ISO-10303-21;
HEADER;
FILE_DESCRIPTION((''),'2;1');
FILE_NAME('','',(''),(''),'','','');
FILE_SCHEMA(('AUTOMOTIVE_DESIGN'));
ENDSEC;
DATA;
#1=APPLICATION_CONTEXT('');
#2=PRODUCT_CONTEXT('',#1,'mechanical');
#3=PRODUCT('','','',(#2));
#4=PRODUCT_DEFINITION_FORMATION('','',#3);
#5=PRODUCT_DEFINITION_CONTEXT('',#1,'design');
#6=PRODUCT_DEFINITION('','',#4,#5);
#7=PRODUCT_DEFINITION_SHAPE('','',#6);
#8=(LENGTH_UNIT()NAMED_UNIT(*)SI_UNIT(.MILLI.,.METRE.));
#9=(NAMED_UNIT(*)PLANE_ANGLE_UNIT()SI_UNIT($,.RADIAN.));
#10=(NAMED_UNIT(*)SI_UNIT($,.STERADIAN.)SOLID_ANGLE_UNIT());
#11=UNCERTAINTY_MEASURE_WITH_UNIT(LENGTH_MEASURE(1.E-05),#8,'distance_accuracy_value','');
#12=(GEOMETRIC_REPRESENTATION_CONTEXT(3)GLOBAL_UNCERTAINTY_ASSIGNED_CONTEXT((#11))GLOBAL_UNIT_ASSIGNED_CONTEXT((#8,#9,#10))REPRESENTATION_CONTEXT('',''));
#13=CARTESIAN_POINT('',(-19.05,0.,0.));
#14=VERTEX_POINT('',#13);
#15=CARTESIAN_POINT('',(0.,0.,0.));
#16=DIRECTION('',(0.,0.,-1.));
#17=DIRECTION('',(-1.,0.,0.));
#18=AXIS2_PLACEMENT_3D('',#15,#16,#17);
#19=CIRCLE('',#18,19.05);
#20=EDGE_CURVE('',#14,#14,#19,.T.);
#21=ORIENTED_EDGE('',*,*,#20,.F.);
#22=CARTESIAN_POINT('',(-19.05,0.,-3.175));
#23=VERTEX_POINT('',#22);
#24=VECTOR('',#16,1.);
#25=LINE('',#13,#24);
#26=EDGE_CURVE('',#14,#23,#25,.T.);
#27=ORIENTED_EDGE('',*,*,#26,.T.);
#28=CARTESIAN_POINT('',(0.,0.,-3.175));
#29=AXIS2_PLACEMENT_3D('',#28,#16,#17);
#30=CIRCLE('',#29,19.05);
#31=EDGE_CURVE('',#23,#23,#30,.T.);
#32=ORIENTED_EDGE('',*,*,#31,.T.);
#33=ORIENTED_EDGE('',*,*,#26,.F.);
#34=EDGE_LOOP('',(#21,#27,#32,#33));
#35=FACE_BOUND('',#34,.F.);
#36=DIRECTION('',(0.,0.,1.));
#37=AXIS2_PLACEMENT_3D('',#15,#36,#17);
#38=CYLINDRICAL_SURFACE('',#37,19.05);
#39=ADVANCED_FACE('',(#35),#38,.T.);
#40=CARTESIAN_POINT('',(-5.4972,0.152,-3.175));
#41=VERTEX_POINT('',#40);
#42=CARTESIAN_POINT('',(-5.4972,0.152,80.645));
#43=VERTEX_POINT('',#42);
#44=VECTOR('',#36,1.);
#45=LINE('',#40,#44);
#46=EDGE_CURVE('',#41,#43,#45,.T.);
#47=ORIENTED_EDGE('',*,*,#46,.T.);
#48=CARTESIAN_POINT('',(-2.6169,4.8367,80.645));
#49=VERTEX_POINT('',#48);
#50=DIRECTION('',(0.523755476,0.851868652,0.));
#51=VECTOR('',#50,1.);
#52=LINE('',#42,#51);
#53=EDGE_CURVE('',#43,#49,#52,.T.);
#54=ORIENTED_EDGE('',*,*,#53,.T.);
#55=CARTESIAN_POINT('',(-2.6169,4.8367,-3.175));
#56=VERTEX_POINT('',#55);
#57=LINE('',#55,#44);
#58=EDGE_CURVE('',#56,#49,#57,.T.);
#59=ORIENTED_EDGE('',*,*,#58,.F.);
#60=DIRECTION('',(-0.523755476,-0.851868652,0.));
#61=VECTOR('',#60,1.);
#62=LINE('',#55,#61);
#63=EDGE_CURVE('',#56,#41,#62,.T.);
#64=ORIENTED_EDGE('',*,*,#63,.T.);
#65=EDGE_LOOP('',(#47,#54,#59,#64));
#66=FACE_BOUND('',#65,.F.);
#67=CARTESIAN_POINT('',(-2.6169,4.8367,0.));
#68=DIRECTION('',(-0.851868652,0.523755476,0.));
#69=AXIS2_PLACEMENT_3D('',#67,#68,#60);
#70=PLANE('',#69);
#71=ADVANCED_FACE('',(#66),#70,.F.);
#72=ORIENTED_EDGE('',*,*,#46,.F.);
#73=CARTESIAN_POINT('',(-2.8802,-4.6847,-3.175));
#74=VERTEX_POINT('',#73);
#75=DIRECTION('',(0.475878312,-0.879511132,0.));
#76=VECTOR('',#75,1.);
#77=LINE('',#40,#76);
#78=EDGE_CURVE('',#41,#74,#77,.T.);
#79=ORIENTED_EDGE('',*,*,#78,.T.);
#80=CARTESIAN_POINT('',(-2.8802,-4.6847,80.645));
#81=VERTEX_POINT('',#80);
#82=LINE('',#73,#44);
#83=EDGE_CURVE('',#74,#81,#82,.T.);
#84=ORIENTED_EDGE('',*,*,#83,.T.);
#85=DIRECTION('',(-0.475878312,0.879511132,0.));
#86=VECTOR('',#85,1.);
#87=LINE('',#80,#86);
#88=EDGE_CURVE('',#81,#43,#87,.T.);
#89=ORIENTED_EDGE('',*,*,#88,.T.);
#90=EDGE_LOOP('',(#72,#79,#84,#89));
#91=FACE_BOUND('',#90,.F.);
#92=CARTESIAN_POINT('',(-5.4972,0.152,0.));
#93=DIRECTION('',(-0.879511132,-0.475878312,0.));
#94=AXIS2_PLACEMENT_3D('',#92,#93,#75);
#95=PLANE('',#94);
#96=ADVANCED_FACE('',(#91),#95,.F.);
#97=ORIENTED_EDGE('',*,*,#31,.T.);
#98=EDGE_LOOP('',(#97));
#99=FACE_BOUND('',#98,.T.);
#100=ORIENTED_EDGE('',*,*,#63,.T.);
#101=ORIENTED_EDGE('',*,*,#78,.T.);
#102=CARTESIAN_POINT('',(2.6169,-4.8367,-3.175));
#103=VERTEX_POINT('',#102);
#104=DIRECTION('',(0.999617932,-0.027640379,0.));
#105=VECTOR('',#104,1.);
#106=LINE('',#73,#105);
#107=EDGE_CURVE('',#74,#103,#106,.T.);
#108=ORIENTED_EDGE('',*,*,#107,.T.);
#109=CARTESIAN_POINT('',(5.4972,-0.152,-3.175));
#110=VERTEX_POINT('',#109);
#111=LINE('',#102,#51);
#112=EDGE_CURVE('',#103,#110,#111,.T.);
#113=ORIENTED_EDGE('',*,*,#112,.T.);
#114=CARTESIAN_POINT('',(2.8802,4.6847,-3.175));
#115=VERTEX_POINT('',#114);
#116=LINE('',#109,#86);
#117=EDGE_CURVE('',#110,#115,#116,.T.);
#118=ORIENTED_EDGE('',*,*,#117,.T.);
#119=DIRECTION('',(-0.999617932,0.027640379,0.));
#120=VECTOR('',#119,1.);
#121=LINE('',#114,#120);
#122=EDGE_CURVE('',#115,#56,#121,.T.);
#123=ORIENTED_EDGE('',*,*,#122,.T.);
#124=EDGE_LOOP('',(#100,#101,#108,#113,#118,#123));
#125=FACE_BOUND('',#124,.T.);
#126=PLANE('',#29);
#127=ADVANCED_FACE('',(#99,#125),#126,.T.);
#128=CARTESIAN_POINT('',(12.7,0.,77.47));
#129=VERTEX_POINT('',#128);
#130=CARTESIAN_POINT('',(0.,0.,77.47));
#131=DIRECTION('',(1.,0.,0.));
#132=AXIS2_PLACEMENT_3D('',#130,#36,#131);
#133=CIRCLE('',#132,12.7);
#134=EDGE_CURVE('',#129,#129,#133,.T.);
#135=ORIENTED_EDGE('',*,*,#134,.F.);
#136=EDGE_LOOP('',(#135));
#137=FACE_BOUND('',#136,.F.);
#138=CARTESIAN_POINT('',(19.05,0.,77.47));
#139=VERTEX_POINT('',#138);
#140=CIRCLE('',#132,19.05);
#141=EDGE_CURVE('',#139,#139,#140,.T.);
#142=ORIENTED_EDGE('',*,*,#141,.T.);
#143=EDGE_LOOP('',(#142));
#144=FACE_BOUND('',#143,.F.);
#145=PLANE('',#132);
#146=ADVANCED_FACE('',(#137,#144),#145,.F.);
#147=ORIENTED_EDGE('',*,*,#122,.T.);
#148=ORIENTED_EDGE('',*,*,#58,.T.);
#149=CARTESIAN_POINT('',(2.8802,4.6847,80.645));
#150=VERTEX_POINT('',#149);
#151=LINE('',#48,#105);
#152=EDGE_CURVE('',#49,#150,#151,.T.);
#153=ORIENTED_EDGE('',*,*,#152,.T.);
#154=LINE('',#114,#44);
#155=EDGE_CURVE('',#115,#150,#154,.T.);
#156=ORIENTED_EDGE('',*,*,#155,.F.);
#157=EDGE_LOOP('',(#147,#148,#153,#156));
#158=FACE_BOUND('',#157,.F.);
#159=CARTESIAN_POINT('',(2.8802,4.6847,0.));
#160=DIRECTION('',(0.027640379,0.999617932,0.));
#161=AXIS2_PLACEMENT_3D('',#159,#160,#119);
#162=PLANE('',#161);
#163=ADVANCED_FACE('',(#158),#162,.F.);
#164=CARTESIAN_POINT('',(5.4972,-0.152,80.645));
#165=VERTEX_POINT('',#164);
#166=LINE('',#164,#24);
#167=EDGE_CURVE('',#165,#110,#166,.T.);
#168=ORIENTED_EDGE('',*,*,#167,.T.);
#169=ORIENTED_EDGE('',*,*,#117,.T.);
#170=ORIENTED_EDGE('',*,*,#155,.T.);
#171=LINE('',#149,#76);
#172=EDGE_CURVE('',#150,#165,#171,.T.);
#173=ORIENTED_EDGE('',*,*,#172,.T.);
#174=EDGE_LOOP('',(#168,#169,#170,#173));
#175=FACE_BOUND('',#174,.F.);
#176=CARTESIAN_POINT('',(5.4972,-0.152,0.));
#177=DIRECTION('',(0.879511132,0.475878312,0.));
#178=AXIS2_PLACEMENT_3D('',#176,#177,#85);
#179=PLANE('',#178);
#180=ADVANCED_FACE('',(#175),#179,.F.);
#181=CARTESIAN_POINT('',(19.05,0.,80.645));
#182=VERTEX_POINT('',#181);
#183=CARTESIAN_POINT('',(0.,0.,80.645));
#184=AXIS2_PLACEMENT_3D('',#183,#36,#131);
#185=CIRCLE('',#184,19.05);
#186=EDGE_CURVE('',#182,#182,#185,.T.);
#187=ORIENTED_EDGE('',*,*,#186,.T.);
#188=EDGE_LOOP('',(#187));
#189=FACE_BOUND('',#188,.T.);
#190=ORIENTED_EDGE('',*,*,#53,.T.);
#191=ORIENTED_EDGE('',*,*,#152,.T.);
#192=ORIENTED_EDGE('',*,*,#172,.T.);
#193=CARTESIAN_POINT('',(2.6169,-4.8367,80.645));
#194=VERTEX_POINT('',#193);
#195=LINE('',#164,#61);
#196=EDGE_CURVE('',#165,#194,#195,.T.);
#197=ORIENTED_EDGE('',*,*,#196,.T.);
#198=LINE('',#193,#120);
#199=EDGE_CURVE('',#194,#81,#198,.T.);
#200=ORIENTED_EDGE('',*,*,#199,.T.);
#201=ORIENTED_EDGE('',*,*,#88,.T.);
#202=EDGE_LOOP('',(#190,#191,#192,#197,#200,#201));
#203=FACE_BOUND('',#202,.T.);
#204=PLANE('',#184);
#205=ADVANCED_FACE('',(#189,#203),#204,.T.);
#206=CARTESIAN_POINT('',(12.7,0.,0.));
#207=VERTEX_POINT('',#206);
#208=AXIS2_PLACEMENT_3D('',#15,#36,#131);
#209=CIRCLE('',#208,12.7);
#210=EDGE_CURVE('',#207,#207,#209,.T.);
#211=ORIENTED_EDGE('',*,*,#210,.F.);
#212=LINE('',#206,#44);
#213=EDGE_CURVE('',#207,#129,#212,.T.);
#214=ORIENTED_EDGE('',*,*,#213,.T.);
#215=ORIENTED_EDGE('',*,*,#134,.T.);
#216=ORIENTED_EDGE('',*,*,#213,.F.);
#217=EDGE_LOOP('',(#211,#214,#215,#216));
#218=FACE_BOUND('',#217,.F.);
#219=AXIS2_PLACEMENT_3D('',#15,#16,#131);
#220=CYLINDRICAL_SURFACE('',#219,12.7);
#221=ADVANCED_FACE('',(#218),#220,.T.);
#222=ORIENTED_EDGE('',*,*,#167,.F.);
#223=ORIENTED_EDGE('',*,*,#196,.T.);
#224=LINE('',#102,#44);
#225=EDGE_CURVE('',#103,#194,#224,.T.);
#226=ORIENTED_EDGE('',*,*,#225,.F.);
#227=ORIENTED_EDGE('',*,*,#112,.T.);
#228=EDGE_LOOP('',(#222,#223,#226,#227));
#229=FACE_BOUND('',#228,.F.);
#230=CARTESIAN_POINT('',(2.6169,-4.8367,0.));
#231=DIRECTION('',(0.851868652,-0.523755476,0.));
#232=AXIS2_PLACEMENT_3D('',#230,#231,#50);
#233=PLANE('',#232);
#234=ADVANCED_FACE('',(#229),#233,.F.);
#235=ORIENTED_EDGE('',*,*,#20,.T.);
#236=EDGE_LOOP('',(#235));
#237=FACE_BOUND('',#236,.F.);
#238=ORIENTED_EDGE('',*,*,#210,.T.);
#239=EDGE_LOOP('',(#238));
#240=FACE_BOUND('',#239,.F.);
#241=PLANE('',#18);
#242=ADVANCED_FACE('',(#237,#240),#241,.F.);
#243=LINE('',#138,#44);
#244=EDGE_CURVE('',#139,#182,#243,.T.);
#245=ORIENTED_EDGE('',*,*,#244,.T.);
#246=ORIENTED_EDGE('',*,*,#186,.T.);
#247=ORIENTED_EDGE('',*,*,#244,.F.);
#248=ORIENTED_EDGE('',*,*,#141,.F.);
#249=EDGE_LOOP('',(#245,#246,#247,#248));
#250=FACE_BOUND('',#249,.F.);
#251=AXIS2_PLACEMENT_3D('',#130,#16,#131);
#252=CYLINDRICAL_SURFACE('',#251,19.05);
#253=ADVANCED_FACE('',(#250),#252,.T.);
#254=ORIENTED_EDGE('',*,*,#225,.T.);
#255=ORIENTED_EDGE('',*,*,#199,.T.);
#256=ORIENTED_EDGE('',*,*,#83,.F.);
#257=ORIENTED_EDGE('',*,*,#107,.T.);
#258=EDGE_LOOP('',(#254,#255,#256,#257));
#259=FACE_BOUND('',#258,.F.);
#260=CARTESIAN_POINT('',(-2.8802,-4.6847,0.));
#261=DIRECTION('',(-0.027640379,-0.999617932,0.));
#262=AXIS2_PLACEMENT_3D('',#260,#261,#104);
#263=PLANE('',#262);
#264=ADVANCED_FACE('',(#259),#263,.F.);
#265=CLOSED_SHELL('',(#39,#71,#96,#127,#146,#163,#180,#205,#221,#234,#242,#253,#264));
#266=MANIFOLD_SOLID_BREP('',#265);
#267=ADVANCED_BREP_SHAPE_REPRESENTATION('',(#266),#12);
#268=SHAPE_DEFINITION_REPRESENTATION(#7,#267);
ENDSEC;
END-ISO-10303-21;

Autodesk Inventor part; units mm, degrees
ref_plane "YZ Plane" through (0, 0, 0) normal (1, 0, 0) x (0, 1, 0)
ref_plane "XZ Plane" through (0, 0, 0) normal (0, 1, 0) x (-1, 0, 0)
ref_plane "XY Plane" through (0, 0, 0) normal (0, 0, 1) x (1, 0, 0)
sketch "Sketch1" plane through (0, 0, 0) normal (0, 0, 1) x (1, 0, 0)
  line L0 (-5.4972, 0.152) -> (-2.6169, 4.8367)
  line L1 (-2.6169, 4.8367) -> (2.8802, 4.6847)
  line L2 (2.8802, 4.6847) -> (5.4972, -0.152)
  line L3 (5.4972, -0.152) -> (2.6169, -4.8367)
  line L4 (2.6169, -4.8367) -> (-2.8802, -4.6847)
  line L5 (-2.8802, -4.6847) -> (-5.4972, 0.152)
  circle A0 centre (0, 0) radius 12.7
  dimension "d0" = 9.525
  dimension "d1" = 25.4
extrude "Extrusion1" add sketch "Sketch1" along normal blind 77.47
sketch "Sketch3" plane through (0, 0, 77.47) normal (0, 0, 1) x (1, 0, 0)
  line L0 (-5.4972, 0.152) -> (-2.6169, 4.8367) projected
  line L1 (-5.4972, 0.152) -> (-2.6169, 4.8367)
  line L2 (-2.6169, 4.8367) -> (2.8802, 4.6847)
  line L3 (2.8802, 4.6847) -> (5.4972, -0.152)
  line L4 (5.4972, -0.152) -> (2.6169, -4.8367)
  line L5 (2.6169, -4.8367) -> (-2.8802, -4.6847)
  line L6 (-2.8802, -4.6847) -> (-5.4972, 0.152)
  circle A0 centre (0, 0) radius 19.05
  dimension "d4" = 38.1
extrude "Extrusion2" add sketch "Sketch3" along normal blind 3.175
sketch "Sketch4" plane through (0, 0, 0) normal (0, 0, -1) x (-1, 0, 0)
  line L0 (-5.4972, -0.152) -> (-2.8802, 4.6847)
  line L1 (-2.8802, 4.6847) -> (2.6169, 4.8367)
  line L2 (2.6169, 4.8367) -> (5.4972, 0.152)
  line L3 (5.4972, 0.152) -> (2.8802, -4.6847)
  line L4 (2.8802, -4.6847) -> (-2.6169, -4.8367)
  line L5 (-2.6169, -4.8367) -> (-5.4972, -0.152)
  line L6 (2.8802, -4.6847) -> (-2.6169, -4.8367) projected
  circle A0 centre (0, 0) radius 19.05
  dimension "d7" = 9.525
  dimension "d8" = 180
  dimension "d11" = 38.1
extrude "Extrusion3" add sketch "Sketch4" along normal blind 3.175
properties part number "Polycord conveyor"
